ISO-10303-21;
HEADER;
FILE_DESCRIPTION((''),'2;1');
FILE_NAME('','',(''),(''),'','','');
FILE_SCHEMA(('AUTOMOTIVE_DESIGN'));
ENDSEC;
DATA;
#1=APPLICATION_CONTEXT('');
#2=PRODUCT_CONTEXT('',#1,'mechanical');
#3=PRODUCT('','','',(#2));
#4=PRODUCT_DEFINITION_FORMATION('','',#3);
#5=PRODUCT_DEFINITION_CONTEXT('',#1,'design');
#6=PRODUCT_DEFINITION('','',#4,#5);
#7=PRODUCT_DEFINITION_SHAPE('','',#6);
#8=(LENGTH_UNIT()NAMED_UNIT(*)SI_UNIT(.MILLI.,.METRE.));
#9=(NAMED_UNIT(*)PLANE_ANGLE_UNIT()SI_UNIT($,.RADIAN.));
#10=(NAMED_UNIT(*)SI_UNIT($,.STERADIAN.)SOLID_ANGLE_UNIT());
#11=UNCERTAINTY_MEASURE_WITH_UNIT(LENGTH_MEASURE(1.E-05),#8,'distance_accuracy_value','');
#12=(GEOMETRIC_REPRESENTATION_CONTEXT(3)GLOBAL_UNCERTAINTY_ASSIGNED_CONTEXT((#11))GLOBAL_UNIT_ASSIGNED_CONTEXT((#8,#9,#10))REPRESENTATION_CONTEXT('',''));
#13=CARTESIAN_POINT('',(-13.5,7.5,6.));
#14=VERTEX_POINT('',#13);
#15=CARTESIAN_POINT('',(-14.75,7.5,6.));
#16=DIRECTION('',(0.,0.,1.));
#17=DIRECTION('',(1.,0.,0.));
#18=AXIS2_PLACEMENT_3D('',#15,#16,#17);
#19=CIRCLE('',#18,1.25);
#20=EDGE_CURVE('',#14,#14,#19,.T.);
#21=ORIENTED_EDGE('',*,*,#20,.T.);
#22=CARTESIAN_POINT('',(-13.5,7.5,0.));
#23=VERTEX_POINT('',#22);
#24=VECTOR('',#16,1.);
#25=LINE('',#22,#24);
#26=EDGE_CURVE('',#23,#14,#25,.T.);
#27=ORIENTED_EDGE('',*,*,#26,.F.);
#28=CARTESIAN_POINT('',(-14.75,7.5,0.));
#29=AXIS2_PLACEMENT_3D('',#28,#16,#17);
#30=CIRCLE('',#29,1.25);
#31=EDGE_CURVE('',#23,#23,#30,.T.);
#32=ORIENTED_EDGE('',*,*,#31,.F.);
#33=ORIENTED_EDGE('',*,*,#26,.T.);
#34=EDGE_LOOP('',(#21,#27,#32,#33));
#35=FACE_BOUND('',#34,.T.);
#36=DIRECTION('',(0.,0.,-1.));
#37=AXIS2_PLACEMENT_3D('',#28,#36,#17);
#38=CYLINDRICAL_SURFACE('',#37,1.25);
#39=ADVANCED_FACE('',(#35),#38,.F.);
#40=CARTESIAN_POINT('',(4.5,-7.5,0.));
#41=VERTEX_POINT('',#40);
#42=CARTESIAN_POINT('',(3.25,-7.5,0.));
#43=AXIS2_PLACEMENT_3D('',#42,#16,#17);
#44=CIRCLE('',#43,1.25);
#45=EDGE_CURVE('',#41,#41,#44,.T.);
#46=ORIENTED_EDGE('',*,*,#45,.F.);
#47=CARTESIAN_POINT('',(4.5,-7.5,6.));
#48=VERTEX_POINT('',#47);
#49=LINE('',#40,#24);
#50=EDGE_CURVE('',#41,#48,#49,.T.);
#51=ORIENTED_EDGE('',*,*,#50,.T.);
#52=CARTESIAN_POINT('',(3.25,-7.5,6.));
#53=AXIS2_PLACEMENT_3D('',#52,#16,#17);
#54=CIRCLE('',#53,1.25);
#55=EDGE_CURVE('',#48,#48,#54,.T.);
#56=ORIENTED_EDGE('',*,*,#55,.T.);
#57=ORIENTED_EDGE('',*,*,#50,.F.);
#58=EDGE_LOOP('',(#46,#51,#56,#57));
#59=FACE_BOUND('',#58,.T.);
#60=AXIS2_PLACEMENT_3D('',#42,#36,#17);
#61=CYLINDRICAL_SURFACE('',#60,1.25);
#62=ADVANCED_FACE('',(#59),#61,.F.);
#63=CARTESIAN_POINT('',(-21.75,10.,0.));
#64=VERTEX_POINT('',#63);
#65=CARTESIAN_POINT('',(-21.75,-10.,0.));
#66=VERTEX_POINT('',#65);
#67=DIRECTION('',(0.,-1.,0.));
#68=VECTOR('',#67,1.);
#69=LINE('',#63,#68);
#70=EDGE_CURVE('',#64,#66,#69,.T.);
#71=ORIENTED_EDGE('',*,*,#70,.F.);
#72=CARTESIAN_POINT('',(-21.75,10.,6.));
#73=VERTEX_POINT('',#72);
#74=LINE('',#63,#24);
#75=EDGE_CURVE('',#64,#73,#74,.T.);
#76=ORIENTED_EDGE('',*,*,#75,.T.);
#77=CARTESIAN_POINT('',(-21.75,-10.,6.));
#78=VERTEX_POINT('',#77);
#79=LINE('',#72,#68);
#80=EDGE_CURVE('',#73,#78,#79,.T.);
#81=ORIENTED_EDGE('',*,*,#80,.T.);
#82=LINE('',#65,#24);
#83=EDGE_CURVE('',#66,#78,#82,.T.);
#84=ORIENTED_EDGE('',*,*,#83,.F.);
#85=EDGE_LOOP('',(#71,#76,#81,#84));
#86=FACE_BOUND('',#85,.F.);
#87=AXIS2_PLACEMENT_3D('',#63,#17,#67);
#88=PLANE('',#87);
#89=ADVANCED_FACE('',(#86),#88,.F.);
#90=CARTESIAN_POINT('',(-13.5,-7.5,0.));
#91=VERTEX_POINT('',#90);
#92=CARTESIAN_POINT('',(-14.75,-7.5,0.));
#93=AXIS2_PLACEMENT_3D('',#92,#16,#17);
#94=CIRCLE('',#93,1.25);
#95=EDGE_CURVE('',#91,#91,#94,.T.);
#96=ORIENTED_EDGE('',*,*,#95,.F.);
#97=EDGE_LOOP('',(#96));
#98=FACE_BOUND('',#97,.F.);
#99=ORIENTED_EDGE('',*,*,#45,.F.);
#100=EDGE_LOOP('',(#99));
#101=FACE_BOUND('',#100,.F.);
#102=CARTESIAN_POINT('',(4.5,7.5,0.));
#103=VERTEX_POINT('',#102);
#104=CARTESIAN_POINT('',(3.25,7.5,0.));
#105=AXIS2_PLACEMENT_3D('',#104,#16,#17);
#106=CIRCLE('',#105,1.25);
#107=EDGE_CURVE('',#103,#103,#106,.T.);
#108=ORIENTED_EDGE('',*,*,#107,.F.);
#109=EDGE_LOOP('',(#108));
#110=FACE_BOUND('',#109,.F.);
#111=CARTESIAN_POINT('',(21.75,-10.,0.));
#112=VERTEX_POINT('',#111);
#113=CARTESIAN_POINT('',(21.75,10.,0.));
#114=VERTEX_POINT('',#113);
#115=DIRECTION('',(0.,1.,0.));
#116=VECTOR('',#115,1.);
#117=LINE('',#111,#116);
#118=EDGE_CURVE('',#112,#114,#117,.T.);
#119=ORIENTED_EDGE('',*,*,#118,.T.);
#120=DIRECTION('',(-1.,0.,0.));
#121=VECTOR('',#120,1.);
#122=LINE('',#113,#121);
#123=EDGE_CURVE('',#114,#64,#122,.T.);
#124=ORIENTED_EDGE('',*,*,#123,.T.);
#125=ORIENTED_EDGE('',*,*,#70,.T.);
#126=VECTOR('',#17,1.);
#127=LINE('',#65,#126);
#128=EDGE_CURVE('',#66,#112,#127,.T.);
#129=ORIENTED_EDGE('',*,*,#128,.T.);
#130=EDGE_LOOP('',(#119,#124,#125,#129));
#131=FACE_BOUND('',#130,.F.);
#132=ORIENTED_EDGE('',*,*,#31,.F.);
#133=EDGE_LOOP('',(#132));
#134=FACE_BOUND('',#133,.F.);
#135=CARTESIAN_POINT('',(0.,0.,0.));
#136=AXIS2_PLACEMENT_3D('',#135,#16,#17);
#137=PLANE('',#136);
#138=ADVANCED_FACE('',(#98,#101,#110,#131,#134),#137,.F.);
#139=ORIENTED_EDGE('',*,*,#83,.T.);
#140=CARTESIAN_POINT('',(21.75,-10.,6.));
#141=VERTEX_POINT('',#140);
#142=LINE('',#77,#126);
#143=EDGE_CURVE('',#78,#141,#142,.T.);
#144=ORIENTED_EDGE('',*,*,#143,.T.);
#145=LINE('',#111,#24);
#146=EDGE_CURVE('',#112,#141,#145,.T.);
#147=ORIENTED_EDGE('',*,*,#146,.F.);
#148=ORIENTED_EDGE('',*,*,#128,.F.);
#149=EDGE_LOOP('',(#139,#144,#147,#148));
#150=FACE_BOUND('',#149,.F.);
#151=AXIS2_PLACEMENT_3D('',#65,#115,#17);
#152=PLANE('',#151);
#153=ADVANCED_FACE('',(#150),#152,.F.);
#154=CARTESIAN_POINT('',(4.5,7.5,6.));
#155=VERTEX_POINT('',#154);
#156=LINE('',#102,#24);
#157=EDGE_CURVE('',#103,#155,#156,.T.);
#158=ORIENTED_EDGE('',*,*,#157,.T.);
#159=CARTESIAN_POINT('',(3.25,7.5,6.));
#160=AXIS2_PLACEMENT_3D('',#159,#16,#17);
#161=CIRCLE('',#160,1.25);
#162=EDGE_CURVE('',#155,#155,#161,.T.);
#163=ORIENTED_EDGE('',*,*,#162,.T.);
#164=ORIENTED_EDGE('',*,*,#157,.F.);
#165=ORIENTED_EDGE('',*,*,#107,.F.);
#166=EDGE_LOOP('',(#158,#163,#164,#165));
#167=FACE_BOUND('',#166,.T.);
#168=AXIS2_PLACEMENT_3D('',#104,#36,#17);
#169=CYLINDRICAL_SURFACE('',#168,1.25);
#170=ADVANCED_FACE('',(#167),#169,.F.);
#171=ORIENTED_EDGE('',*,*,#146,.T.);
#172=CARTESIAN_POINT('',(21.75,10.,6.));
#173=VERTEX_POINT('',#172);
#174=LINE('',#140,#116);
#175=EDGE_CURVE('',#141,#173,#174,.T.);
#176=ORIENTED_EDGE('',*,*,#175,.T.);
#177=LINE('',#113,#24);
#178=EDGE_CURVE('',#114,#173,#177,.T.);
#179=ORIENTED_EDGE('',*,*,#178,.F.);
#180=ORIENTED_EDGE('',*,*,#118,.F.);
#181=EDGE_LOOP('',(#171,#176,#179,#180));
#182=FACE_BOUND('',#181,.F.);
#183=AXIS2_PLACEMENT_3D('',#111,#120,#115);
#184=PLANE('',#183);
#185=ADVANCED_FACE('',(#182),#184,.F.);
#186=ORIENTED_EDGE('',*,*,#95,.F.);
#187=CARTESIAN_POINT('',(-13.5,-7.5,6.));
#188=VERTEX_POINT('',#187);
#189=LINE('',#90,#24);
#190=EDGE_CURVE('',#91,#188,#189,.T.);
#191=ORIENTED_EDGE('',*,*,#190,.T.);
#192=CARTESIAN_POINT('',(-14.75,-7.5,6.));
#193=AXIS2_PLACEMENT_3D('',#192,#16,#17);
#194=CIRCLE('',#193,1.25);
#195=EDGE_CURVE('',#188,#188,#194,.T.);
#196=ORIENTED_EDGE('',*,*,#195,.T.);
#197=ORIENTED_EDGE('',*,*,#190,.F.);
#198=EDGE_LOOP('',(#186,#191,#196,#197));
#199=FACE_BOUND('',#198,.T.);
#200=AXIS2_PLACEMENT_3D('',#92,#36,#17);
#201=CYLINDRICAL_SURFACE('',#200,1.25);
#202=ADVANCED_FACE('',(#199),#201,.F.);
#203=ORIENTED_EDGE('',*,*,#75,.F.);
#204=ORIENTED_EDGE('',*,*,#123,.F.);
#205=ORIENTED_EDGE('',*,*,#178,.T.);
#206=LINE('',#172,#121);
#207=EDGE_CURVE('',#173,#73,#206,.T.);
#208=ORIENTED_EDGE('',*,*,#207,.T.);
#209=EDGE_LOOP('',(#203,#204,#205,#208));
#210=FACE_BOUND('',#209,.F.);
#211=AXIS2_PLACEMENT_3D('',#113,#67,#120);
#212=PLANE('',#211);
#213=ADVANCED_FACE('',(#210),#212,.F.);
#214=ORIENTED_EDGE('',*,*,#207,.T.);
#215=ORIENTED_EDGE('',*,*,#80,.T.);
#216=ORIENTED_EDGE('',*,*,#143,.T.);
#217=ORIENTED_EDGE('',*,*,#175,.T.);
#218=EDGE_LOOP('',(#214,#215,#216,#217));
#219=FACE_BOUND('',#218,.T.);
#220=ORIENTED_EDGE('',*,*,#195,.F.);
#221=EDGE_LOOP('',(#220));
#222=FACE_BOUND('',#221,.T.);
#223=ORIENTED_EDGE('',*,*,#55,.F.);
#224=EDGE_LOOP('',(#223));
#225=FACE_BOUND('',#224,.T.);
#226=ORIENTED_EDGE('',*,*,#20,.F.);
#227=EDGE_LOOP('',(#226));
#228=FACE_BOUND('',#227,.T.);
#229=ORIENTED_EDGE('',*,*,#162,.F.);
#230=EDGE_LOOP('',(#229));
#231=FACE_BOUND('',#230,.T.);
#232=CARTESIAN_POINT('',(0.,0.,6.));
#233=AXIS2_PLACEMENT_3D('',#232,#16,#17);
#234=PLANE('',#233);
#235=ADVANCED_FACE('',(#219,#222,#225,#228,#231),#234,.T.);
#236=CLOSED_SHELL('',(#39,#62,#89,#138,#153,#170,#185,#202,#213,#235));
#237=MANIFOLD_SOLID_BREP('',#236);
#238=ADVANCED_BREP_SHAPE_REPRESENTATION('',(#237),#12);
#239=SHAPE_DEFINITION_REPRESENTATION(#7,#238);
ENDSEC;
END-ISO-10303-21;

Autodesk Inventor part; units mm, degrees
ref_plane "YZ Plane" through (0, 0, 0) normal (1, 0, 0) x (0, 1, 0)
ref_plane "XZ Plane" through (0, 0, 0) normal (0, 1, 0) x (-1, 0, 0)
ref_plane "XY Plane" through (0, 0, 0) normal (0, 0, 1) x (1, 0, 0)
sketch "스케치1" plane through (0, 0, 0) normal (0, 0, 1) x (1, 0, 0)
  line L0 (-21.75, -10) -> (21.75, -10)
  line L1 (21.75, -10) -> (21.75, 10)
  line L2 (21.75, 10) -> (-21.75, 10)
  line L3 (-21.75, 10) -> (-21.75, -10)
  line L4 (-21.75, -10) -> (21.75, 10) construction
  line L5 (21.75, -10) -> (-21.75, 10) construction
  circle A0 centre (-14.75, -7.5) radius 1.25
  circle A1 centre (3.25, -7.5) radius 1.25
  circle A2 centre (-14.75, 7.5) radius 1.25
  circle A3 centre (3.25, 7.5) radius 1.25
  point P0 (0, 0)
  dimension "d0" = 43.5
  dimension "d1" = 20
  dimension "d4" = 2.5
  dimension "d5" = 2.5
  dimension "d6" = 7
  dimension "d9" = 18
  dimension "d12" = 15
extrude "돌출1" add sketch "스케치1" along normal blind 6
properties part number "dc_convertor" material "고무, 검은색"
